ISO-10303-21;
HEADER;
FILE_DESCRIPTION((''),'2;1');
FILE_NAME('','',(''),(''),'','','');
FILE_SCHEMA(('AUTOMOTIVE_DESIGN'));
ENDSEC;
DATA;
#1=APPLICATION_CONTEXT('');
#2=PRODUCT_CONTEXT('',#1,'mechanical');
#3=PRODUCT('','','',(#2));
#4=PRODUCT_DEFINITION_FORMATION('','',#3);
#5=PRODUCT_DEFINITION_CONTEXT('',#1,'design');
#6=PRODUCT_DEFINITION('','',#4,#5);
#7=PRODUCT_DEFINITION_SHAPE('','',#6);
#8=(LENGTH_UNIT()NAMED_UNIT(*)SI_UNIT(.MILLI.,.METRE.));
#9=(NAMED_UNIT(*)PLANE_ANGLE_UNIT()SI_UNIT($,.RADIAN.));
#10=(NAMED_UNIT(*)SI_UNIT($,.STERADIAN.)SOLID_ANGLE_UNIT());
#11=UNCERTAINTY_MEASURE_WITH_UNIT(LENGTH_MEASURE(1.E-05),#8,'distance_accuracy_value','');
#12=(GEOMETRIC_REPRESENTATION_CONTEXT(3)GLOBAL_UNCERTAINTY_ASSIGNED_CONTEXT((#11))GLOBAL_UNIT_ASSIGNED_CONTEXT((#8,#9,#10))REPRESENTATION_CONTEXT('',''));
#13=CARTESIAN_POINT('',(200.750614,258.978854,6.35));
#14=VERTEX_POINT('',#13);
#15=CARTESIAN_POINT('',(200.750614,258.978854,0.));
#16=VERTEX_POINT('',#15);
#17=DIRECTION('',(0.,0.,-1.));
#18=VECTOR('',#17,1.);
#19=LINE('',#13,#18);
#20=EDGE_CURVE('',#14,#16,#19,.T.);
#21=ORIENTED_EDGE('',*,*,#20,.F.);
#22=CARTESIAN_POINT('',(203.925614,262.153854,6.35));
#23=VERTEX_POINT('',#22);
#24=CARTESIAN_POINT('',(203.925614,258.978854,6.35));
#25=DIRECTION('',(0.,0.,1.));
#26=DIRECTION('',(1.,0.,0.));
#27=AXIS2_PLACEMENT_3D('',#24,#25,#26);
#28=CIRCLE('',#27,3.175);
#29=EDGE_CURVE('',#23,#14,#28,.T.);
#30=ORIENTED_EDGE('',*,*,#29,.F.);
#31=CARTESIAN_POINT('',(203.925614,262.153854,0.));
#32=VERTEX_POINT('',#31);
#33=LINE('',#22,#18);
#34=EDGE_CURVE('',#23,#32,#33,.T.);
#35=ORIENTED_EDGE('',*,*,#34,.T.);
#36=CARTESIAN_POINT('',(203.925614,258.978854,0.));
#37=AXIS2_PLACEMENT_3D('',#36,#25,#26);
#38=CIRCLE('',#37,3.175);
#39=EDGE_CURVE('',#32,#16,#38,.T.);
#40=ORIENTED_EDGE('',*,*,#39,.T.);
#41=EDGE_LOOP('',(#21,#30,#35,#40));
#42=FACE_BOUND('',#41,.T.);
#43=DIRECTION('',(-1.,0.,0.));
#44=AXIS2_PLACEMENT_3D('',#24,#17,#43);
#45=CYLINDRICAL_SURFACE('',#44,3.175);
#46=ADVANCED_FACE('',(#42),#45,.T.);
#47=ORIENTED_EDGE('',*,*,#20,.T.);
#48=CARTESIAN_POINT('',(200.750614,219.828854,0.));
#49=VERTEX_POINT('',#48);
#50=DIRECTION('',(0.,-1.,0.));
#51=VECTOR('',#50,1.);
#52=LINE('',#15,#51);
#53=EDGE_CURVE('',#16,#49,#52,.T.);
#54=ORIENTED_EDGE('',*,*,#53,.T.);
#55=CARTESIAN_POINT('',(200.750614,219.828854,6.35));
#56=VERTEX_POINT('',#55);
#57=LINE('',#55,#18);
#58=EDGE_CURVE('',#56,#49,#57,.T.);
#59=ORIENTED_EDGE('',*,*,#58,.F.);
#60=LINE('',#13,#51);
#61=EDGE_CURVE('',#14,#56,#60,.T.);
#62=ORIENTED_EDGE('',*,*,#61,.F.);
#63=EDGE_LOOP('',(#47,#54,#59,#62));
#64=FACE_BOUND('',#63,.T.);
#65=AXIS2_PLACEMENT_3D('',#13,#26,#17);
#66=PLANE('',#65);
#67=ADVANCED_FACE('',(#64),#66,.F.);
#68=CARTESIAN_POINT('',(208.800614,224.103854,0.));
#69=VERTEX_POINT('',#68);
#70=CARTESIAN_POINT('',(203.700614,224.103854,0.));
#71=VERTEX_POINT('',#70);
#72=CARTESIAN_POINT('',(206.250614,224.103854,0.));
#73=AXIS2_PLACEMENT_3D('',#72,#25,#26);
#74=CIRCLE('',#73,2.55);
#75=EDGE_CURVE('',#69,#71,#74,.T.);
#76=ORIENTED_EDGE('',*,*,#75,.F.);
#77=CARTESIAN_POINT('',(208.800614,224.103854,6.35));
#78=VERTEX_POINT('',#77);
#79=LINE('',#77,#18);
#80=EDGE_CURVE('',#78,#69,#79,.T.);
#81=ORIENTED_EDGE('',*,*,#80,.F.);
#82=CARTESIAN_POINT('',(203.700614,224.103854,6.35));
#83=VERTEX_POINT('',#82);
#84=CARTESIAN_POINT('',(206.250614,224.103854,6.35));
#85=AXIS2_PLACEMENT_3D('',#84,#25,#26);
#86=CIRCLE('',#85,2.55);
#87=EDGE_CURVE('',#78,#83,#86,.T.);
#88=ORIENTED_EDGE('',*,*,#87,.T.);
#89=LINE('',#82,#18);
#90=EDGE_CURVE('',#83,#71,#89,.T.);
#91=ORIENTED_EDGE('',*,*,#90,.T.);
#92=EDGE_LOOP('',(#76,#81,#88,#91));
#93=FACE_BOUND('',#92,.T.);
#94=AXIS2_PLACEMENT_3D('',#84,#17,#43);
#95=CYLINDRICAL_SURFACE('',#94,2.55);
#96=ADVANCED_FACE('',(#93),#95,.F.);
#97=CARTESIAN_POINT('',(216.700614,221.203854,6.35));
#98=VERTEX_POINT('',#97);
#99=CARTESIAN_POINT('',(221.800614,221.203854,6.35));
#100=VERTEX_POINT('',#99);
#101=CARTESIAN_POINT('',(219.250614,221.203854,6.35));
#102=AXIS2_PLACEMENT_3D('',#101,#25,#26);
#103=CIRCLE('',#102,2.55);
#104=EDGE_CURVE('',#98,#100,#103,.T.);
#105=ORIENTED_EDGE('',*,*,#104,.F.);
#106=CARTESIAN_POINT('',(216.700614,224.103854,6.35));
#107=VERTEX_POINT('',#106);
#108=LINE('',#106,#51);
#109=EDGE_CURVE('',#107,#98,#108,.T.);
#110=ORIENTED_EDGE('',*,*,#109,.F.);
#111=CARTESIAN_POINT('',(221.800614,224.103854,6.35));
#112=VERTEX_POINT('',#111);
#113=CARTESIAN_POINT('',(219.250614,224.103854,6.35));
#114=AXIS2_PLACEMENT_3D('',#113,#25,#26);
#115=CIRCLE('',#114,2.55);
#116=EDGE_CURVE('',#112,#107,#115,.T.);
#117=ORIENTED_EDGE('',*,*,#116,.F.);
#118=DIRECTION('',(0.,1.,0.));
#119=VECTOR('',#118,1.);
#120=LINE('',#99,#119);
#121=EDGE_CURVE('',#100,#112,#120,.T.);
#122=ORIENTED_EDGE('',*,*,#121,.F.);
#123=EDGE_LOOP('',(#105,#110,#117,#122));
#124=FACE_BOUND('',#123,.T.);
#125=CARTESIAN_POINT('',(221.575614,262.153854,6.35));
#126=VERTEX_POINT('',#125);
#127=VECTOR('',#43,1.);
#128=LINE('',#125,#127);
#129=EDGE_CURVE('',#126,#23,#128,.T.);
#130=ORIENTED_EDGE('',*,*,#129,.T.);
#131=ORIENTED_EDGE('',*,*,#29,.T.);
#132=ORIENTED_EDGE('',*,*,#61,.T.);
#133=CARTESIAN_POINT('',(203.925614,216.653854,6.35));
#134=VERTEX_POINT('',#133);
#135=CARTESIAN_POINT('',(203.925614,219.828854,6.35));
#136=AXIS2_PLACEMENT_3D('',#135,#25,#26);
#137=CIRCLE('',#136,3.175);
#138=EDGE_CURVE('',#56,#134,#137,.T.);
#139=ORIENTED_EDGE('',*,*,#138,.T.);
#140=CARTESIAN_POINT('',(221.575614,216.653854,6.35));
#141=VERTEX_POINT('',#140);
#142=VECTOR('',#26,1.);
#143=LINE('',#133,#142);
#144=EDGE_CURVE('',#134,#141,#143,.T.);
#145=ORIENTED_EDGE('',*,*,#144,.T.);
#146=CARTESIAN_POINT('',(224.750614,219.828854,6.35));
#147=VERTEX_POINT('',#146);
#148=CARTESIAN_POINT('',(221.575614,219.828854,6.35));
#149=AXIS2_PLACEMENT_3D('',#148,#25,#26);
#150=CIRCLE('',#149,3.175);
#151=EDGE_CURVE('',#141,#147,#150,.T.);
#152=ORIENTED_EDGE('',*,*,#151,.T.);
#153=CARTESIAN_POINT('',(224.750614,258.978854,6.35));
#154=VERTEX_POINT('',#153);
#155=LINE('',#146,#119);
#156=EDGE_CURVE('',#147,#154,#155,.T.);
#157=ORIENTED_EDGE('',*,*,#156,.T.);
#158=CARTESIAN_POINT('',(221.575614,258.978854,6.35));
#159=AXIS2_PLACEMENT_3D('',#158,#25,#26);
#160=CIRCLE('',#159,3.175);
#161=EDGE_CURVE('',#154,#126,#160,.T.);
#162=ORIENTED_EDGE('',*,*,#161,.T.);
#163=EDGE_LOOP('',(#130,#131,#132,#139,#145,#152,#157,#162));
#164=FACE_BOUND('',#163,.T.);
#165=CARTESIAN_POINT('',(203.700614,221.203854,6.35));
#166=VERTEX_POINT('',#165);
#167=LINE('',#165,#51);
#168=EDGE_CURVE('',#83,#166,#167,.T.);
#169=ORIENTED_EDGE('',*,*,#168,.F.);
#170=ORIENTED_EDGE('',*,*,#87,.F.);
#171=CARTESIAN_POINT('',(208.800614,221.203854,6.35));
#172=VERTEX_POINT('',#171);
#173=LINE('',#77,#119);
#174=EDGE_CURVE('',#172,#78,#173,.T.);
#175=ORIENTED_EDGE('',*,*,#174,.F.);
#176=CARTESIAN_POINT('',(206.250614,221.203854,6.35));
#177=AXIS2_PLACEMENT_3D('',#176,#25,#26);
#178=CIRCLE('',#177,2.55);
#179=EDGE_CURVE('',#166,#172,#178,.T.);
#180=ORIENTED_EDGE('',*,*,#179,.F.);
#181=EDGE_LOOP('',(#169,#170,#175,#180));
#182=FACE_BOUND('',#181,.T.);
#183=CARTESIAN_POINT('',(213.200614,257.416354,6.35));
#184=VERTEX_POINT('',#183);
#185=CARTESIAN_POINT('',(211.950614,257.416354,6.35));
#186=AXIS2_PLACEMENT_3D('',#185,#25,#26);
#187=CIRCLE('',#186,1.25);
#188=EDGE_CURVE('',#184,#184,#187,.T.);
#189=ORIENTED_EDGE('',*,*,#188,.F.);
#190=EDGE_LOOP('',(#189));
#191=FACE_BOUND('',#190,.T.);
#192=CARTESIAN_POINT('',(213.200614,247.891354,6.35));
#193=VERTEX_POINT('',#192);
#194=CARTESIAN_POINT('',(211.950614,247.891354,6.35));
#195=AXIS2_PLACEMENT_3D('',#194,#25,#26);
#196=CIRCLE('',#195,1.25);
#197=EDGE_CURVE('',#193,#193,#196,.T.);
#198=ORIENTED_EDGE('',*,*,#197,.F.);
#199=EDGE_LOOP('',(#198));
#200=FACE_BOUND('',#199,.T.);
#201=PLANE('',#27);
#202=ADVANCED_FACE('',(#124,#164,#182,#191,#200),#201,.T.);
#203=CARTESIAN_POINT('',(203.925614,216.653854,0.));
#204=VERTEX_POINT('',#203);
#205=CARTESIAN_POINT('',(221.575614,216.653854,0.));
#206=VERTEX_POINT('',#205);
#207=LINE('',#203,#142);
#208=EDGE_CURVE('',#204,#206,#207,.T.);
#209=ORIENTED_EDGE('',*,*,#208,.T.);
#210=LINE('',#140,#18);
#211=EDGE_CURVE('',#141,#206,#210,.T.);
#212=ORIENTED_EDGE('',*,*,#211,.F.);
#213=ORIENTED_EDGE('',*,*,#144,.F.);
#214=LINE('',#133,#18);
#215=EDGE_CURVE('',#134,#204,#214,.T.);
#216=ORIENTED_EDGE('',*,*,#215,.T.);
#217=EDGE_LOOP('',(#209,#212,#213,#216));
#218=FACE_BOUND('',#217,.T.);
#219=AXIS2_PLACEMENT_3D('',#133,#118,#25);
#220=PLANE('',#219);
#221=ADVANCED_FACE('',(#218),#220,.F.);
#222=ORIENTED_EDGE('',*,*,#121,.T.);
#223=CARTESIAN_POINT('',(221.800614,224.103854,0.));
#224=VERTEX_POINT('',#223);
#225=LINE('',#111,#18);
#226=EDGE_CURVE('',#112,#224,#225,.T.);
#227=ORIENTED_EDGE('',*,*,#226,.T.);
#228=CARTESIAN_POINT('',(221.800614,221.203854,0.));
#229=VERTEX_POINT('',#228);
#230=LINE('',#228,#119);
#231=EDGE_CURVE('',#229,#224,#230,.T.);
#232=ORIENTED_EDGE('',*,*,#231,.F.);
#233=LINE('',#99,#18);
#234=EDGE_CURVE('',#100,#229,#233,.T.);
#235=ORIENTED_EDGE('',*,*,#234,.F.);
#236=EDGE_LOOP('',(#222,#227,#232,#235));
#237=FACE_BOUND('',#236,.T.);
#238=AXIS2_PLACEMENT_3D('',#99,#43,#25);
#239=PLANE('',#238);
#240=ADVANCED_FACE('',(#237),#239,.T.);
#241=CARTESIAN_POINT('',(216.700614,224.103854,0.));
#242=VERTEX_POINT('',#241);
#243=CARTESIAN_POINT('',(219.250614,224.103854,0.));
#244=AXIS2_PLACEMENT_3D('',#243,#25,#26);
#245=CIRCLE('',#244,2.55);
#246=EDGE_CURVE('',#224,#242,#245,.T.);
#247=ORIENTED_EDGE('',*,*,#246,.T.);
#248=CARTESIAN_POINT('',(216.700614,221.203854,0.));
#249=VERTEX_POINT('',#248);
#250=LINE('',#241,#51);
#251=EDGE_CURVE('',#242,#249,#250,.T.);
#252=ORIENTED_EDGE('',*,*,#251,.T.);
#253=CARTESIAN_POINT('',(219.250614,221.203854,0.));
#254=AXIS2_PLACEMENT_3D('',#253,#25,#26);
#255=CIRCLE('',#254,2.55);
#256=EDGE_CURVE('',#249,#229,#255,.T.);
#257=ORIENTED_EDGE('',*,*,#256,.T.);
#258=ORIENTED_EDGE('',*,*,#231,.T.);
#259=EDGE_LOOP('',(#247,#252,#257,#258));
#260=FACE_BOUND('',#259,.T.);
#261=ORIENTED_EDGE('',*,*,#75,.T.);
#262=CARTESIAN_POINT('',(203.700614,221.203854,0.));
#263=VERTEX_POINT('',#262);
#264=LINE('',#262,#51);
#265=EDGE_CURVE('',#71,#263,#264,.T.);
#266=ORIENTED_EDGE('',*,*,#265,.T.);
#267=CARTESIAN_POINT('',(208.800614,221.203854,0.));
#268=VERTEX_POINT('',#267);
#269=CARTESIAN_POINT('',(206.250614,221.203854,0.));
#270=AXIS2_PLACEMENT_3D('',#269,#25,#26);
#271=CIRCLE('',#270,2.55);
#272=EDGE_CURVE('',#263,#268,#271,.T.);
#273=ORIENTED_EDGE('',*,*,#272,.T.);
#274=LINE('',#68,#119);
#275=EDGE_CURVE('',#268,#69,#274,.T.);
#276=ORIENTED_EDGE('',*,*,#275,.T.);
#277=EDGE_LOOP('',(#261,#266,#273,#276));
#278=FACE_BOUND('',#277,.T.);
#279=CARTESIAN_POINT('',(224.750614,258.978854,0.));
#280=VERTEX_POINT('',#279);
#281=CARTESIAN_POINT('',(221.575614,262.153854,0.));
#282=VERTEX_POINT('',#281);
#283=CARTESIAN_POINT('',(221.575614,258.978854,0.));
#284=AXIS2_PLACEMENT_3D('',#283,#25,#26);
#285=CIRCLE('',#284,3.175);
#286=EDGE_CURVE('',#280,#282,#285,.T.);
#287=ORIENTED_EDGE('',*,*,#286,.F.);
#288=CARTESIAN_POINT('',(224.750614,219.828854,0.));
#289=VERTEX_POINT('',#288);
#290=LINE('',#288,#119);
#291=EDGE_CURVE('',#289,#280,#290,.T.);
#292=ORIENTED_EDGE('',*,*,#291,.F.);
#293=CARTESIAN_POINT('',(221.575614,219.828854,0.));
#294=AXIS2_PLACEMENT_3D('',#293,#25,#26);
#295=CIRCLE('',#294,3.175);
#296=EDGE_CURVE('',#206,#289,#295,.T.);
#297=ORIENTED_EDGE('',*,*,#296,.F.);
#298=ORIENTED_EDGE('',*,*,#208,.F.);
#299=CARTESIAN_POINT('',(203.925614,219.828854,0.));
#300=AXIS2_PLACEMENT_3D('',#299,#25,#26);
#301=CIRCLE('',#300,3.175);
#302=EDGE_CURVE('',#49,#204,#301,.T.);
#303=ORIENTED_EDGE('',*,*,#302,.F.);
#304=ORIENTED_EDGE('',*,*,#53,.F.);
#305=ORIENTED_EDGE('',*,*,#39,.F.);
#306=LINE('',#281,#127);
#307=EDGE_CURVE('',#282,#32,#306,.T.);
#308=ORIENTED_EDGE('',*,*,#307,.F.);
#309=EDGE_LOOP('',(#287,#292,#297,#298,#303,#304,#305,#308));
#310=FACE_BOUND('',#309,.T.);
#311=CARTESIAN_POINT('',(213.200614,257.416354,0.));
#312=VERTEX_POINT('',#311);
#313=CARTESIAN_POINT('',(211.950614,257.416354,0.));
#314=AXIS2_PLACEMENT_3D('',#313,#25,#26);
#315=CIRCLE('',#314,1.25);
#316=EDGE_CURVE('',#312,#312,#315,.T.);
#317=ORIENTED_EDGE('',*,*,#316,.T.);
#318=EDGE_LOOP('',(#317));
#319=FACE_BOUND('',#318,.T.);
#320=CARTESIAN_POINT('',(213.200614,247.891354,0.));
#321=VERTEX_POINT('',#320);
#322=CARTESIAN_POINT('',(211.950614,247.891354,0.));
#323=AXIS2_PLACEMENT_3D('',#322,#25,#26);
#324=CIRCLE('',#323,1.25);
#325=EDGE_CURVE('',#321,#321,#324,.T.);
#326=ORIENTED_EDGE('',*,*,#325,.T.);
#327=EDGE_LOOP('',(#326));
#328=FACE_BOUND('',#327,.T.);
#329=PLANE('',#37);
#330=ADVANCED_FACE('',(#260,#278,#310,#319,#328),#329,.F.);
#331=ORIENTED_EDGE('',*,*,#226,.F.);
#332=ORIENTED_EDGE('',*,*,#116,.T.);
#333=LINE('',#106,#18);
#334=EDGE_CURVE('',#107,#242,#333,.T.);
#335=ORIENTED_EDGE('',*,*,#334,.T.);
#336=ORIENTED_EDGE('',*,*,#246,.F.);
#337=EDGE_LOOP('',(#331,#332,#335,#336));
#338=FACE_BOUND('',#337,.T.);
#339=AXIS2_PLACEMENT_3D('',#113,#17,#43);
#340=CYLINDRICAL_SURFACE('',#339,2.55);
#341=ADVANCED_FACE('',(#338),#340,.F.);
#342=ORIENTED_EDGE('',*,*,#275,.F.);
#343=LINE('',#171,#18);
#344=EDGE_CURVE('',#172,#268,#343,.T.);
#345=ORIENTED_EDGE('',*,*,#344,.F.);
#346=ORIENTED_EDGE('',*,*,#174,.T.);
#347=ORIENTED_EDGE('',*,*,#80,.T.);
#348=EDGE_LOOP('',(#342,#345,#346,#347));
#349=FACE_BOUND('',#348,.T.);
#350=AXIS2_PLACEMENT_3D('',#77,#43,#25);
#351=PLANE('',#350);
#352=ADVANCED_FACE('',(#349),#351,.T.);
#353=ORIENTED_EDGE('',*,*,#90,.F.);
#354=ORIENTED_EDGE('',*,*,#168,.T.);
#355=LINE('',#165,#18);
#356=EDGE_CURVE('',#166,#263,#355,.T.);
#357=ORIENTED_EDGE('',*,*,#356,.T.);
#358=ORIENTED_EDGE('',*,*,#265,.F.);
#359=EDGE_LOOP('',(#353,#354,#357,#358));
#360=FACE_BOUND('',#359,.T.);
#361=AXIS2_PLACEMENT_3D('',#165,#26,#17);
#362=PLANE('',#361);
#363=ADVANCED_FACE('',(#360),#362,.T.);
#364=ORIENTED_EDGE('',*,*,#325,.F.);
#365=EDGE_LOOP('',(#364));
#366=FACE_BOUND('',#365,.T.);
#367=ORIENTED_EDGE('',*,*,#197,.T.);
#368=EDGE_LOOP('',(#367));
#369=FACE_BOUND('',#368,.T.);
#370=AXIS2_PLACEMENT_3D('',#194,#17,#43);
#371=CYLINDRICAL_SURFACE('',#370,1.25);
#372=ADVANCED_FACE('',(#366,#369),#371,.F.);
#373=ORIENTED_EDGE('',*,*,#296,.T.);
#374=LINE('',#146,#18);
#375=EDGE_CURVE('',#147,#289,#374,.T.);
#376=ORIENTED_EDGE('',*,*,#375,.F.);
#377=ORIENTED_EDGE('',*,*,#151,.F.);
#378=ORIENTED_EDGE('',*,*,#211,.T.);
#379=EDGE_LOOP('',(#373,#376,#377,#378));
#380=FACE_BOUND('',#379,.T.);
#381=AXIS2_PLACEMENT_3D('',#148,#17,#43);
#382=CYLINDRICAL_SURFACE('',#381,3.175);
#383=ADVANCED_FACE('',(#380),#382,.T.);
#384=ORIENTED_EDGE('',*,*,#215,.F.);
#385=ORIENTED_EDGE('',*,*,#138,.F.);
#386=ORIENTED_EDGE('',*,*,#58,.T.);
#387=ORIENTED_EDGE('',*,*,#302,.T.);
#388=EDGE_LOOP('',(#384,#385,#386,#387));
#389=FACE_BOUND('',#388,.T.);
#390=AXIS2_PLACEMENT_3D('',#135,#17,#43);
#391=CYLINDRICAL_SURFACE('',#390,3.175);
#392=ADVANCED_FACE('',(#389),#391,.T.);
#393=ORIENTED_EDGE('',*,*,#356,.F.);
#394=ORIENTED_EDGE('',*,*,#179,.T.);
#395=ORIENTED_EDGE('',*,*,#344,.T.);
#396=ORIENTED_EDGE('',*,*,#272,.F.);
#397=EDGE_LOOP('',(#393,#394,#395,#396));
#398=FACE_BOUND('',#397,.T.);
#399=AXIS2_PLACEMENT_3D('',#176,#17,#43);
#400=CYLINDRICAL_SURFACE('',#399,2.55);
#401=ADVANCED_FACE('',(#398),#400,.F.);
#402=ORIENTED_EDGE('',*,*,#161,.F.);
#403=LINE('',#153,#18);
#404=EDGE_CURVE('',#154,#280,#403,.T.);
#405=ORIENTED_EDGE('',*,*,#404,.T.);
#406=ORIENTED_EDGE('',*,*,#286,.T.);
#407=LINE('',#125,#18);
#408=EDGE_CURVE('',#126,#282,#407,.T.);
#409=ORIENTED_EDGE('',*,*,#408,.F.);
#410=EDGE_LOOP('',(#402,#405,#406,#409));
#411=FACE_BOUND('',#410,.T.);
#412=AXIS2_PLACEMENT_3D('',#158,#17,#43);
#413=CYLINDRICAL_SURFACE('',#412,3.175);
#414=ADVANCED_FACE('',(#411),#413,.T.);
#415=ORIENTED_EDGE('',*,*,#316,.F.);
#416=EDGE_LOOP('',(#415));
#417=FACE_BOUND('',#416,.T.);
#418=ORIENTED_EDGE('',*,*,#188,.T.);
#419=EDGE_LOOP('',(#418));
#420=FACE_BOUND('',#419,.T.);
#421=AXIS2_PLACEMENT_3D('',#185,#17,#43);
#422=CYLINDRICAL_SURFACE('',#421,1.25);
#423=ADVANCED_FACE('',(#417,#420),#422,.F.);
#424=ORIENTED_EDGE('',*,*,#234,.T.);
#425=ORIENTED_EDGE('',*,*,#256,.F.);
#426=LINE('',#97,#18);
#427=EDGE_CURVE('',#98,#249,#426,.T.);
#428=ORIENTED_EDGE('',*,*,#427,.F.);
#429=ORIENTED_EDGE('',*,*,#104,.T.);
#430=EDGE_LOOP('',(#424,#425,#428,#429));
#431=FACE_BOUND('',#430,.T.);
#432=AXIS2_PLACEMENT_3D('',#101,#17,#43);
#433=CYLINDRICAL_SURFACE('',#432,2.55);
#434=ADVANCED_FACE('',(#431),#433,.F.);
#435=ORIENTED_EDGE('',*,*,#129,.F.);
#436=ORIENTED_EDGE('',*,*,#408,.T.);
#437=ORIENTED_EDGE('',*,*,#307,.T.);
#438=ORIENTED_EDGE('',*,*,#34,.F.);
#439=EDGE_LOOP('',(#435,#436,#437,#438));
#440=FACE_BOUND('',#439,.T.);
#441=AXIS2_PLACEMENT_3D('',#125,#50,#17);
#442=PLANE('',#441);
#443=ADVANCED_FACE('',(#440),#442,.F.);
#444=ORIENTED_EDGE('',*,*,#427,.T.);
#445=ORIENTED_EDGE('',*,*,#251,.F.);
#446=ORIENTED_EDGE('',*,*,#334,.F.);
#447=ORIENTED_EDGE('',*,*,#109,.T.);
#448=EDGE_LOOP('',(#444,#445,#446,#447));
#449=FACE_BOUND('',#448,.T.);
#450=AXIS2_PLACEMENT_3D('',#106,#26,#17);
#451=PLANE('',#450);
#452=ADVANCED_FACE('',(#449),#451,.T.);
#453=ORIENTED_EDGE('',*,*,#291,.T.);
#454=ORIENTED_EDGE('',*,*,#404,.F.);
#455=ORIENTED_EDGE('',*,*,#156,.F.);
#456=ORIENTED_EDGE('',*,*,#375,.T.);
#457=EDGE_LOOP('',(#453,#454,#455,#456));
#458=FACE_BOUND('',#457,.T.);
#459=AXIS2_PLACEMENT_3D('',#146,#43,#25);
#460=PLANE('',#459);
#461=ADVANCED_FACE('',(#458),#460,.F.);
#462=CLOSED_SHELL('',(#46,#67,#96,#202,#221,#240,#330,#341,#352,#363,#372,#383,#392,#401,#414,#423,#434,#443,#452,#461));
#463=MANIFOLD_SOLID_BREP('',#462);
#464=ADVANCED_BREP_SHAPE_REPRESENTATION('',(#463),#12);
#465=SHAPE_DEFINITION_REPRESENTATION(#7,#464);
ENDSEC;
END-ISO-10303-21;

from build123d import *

# Parameters (mm, degrees)
SKETCH1_R           = 1.249999999
BOSS_EXTRUDE1_DEPTH = 6.35


with BuildPart() as part:
    # Sketch1 → Boss-Extrude1 (new body)
    with BuildSketch(Plane.XY):
        with BuildLine():
            Line((200.750613804, 258.978854223), (200.750613804, 219.828854223))
            ThreePointArc((200.750613804, 219.828854223), (201.680549774, 217.583790192), (203.925613804, 216.653854223))
            Line((203.925613804, 216.653854223), (221.575613802, 216.653854223))
            ThreePointArc((221.575613802, 216.653854223), (223.820677833, 217.583790192), (224.750613802, 219.828854223))
            Line((224.750613802, 219.828854223), (224.750613802, 258.978854223))
            ThreePointArc((224.750613802, 258.978854223), (223.820677833, 261.223918253), (221.575613802, 262.153854223))
            Line((221.575613802, 262.153854223), (203.925613804, 262.153854223))
            ThreePointArc((203.925613804, 262.153854223), (201.680549774, 261.223918253), (200.750613804, 258.978854223))
        make_face()
        with Locations((211.950613802, 247.891354224)):
            Circle(SKETCH1_R, mode=Mode.SUBTRACT)
        with Locations((211.950613802, 257.416354224)):
            Circle(SKETCH1_R, mode=Mode.SUBTRACT)
        with BuildLine():
            Line((203.700613802, 221.203854223), (203.700613802, 224.103854225))
            ThreePointArc((203.700613802, 224.103854225), (206.250613802, 226.653854225), (208.800613803, 224.103854225))
            Line((208.800613803, 224.103854225), (208.800613803, 221.203854223))
            ThreePointArc((208.800613803, 221.203854223), (206.250613802, 218.653854223), (203.700613802, 221.203854223))
        make_face(mode=Mode.SUBTRACT)
        with BuildLine():
            Line((216.700613804, 224.103854225), (216.700613804, 221.203854223))
            ThreePointArc((216.700613804, 221.203854223), (219.250613803, 218.653854224), (221.800613802, 221.203854223))
            Line((221.800613802, 221.203854223), (221.800613802, 224.103854225))
            ThreePointArc((221.800613802, 224.103854225), (219.250613803, 226.653854224), (216.700613804, 224.103854225))
        make_face(mode=Mode.SUBTRACT)
    extrude(amount=BOSS_EXTRUDE1_DEPTH)


solid = part.part
